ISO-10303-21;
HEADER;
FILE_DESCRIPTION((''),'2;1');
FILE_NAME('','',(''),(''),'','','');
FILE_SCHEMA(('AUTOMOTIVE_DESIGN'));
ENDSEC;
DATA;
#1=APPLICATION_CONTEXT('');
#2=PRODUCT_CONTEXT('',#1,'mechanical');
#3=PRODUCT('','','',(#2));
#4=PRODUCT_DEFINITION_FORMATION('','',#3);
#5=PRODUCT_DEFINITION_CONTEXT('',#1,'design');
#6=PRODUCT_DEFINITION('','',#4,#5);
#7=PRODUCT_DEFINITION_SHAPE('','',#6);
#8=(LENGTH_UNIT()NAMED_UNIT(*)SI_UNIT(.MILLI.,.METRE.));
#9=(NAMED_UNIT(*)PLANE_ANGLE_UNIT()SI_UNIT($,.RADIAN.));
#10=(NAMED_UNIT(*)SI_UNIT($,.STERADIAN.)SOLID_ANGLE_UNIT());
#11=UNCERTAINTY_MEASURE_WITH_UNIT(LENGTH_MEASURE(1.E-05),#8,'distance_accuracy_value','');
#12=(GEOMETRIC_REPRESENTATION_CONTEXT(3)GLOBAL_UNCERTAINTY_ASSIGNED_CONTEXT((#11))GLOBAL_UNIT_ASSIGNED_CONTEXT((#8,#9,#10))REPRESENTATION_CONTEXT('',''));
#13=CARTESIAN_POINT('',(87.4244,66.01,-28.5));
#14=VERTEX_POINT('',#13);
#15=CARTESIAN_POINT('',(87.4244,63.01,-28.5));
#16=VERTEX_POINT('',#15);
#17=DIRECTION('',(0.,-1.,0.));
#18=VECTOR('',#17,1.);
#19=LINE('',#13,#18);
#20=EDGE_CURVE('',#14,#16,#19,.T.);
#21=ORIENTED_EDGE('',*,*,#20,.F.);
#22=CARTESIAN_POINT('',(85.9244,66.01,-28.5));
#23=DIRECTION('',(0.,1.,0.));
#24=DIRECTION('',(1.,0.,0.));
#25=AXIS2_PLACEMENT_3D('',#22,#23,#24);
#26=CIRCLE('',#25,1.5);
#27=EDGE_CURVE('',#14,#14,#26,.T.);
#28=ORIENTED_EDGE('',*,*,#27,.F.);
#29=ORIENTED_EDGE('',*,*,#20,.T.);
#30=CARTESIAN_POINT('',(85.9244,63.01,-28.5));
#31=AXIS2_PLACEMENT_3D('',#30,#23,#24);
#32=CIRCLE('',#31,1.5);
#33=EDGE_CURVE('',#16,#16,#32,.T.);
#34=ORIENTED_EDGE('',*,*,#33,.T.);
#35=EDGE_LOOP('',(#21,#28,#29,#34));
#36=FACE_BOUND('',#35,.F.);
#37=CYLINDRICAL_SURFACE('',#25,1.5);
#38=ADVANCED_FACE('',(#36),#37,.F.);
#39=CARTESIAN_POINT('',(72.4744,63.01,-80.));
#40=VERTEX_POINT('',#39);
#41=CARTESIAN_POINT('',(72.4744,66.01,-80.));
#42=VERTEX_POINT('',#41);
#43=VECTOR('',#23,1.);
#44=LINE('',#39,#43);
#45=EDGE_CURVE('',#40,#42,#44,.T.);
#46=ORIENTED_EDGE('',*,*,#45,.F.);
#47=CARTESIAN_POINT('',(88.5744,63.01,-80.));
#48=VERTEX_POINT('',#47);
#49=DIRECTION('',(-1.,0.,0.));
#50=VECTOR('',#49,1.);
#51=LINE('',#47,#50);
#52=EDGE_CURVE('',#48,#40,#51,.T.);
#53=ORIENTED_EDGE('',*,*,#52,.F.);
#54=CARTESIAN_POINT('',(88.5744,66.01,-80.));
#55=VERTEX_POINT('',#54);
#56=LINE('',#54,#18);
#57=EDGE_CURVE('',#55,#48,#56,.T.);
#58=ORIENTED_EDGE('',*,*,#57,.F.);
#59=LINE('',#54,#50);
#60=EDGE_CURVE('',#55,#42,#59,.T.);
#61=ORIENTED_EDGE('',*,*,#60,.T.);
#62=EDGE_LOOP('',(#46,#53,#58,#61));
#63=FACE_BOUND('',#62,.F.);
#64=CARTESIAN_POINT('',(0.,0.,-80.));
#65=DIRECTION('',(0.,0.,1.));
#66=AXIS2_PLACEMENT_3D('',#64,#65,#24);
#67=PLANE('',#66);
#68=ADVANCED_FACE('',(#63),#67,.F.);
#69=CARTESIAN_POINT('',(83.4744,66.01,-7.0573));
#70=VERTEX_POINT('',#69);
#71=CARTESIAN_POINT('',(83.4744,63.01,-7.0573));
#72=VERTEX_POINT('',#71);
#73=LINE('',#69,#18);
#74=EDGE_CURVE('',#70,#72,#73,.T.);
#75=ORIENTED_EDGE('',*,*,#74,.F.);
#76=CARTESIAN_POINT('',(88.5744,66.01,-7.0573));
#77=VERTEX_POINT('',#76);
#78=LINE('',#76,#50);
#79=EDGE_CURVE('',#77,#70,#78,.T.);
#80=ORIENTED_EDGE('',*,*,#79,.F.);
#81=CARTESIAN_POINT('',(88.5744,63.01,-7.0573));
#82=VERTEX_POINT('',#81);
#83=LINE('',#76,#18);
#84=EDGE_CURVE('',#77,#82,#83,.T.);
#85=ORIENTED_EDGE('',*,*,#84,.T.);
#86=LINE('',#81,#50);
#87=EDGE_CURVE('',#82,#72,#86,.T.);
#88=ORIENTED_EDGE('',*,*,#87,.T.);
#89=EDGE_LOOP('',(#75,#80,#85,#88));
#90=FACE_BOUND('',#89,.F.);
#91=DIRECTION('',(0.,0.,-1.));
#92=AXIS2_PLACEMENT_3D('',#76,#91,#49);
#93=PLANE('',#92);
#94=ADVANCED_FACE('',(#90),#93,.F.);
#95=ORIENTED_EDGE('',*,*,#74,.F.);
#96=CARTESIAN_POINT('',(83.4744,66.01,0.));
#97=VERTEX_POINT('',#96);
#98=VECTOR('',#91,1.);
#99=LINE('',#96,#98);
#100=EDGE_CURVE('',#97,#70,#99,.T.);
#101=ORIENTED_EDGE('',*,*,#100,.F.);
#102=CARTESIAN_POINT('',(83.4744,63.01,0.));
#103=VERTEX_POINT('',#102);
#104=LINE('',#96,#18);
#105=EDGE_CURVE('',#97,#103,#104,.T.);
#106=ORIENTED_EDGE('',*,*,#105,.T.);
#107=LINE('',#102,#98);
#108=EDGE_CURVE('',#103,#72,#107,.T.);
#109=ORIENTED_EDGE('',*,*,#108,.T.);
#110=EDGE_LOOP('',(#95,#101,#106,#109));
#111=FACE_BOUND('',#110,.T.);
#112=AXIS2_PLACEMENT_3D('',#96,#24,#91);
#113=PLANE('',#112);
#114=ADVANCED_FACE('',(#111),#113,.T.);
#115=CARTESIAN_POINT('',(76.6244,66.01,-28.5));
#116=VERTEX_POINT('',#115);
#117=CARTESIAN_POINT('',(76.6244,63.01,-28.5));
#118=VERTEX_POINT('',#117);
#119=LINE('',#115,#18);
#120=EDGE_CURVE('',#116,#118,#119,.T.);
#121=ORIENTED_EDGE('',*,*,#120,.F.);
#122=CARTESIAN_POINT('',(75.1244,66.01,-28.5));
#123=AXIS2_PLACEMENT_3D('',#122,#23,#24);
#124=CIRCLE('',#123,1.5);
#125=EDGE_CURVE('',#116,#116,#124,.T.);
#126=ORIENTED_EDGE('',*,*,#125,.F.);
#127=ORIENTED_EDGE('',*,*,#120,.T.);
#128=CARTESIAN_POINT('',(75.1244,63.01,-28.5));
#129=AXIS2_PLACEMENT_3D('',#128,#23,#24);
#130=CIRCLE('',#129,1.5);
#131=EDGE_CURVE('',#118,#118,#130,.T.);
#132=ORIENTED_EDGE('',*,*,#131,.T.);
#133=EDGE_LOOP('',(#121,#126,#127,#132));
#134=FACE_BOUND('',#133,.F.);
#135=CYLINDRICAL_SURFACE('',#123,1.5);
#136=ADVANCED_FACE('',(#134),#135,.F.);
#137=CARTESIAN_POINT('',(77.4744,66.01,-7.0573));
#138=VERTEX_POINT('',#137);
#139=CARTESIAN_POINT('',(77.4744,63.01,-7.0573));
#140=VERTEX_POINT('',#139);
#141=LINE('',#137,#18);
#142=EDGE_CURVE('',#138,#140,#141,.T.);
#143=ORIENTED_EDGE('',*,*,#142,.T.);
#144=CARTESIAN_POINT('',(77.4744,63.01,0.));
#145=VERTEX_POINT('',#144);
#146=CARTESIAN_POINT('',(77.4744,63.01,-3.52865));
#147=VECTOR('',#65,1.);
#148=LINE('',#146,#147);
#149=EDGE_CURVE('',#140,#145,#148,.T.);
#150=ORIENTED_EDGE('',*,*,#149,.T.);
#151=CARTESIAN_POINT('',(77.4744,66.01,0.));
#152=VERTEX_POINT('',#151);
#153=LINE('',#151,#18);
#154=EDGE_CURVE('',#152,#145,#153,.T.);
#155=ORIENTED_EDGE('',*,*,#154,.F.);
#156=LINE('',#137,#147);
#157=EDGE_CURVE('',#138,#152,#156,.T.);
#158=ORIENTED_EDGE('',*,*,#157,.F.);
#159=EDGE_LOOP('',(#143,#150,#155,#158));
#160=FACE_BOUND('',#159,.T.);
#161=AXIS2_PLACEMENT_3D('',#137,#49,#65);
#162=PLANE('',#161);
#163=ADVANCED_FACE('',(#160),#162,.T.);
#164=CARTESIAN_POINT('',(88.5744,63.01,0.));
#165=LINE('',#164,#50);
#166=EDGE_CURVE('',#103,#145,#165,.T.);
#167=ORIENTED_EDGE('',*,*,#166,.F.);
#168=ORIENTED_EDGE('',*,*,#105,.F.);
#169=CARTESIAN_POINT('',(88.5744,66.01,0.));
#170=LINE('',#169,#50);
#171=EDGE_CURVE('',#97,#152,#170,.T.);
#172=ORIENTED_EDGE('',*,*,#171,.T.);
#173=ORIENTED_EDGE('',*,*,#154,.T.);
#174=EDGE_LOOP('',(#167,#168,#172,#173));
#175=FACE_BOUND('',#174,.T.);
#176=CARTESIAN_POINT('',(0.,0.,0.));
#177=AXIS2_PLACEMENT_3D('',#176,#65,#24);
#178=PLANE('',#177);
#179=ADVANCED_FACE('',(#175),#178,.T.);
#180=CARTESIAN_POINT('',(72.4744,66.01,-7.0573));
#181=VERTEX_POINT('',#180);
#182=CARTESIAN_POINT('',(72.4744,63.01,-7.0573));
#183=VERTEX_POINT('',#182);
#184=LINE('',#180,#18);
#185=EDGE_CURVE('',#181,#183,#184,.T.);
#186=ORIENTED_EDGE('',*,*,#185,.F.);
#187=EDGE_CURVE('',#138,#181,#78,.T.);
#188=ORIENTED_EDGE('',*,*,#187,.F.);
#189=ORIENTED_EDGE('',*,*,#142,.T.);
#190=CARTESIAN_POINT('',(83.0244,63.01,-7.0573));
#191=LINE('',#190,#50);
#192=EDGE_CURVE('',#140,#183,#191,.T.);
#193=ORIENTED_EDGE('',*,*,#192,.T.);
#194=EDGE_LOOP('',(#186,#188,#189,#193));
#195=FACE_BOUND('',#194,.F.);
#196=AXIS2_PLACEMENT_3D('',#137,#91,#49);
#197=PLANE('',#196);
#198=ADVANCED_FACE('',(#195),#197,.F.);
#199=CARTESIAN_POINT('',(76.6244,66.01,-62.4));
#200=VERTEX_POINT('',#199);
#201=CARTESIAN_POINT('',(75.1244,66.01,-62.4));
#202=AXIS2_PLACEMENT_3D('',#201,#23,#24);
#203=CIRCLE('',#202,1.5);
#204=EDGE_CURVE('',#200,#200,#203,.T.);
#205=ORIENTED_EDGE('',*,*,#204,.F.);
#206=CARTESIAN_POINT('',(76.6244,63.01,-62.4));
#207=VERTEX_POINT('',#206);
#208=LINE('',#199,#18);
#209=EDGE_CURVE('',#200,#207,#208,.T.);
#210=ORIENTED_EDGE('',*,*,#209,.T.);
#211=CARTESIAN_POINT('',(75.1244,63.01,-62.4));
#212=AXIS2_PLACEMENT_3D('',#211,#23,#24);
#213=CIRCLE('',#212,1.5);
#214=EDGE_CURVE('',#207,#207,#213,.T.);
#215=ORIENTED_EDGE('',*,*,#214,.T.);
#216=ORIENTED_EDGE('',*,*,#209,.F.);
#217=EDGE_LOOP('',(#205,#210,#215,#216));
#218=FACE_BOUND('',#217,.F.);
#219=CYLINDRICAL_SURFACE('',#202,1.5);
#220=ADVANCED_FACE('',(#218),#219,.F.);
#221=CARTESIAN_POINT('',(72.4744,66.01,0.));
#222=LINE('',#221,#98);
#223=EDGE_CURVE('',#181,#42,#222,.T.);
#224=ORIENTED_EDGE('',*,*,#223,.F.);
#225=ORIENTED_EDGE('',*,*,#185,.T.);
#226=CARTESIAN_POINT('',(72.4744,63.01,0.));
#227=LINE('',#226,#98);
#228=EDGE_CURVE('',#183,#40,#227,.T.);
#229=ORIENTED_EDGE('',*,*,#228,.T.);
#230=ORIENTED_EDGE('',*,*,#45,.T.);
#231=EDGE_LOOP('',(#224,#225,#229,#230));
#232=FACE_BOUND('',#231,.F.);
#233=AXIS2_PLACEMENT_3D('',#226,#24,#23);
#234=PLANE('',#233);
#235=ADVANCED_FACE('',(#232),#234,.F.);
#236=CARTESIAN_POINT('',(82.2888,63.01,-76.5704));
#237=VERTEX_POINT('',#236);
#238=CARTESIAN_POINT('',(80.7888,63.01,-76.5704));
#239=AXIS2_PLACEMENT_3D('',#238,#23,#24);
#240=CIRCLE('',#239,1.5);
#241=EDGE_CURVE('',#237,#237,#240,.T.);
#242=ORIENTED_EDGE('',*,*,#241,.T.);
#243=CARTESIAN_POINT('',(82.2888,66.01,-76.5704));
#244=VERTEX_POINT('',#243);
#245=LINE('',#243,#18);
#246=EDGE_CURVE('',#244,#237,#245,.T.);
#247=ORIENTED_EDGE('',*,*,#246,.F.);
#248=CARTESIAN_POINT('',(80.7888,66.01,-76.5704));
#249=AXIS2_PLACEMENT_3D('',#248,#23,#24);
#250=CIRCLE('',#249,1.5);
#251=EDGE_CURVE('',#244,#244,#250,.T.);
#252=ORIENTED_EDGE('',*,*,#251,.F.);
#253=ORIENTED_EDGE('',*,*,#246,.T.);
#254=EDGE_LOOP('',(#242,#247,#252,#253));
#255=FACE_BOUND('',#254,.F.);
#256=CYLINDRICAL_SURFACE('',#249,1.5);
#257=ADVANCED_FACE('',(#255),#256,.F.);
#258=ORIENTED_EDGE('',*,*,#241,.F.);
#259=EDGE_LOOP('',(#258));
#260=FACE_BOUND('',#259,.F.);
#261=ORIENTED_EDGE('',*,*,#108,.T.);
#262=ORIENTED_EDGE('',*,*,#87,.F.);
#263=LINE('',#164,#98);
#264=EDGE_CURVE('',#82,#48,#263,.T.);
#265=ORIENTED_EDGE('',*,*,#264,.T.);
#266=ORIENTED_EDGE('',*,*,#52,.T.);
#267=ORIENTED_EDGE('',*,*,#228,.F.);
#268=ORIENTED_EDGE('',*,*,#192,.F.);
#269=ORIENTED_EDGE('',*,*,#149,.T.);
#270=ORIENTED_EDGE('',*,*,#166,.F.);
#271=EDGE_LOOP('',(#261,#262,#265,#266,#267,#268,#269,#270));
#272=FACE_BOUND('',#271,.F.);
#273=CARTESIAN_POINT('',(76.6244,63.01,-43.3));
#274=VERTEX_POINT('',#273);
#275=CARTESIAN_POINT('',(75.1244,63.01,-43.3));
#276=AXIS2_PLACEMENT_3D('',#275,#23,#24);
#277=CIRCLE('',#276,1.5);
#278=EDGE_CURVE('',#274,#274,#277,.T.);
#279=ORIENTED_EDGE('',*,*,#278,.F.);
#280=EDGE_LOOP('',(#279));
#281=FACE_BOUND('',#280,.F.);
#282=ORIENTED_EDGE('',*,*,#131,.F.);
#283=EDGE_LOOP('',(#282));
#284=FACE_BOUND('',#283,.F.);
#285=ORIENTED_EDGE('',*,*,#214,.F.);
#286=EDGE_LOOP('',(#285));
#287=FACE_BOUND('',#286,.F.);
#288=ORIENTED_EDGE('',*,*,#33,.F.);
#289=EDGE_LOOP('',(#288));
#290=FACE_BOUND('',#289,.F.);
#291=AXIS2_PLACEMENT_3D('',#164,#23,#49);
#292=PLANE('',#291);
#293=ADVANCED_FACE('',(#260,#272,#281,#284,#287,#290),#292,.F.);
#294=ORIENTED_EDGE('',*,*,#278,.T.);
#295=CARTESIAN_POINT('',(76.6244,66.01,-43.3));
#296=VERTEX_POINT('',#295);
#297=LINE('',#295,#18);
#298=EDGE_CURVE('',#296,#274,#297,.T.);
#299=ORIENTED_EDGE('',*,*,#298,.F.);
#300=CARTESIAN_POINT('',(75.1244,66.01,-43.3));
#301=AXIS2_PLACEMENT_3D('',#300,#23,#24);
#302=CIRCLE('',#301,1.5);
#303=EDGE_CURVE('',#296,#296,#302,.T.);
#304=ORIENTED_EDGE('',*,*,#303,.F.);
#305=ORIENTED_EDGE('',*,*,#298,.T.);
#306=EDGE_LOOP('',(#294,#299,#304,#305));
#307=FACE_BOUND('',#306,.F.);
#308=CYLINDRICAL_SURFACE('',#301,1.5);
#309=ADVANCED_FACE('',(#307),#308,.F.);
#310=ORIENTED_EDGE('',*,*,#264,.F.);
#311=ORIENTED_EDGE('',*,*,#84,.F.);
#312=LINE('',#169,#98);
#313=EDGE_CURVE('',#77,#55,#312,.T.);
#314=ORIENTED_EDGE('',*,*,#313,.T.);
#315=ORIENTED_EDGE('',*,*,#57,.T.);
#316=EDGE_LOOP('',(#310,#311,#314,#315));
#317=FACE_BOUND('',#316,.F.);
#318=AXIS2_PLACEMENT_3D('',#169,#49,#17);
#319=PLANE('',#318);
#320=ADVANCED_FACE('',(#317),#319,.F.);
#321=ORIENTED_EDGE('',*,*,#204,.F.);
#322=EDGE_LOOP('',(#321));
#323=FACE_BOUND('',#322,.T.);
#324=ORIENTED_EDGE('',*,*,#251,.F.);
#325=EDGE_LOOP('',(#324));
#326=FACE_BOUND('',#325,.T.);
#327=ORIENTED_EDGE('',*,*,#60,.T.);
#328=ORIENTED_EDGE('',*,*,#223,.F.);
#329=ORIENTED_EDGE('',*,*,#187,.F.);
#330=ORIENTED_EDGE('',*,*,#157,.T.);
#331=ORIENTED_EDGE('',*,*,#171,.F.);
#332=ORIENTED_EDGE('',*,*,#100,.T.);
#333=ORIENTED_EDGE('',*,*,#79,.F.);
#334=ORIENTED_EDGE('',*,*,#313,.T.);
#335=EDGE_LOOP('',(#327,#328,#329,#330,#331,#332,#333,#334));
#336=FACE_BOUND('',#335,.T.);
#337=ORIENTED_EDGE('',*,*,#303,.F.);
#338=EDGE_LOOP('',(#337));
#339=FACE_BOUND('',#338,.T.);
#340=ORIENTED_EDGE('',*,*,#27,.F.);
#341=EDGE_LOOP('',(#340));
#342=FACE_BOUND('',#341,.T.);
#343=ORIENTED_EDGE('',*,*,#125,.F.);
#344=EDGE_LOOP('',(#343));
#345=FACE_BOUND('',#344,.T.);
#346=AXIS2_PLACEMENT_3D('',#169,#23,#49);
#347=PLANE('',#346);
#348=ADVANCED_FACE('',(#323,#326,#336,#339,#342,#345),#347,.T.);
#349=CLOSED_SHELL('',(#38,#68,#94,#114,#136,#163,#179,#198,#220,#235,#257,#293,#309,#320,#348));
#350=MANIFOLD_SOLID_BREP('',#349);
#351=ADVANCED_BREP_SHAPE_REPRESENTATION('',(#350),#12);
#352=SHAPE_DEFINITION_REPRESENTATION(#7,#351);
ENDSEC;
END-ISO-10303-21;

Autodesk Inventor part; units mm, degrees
ref_plane "YZ Plane" through (0, 0, 0) normal (1, 0, 0) x (0, 1, 0)
ref_plane "XZ Plane" through (0, 0, 0) normal (0, 1, 0) x (-1, 0, 0)
ref_plane "XY Plane" through (0, 0, 0) normal (0, 0, 1) x (1, 0, 0)
ref_plane "Work Plane1" through (0, 0, 0) normal (0, 0, 1) x (1, 0, 0)
sketch "Sketch1" plane through (0, 0, 0) normal (0, 0, 1) x (1, 0, 0)
  line L0 (88.5744, 66.01) -> (72.4744, 66.01) projected
  line L1 (72.4744, 66.01) -> (88.5744, 66.01)
  line L2 (88.5744, 66.01) -> (88.5744, 63.01)
  line L3 (88.5744, 63.01) -> (72.4744, 63.01)
  line L4 (72.4744, 63.01) -> (72.4744, 66.01)
  point P0 (0, 0)
  dimension "d0" = 3
extrude "Extrusion1" add sketch "Sketch1" against normal blind 80
sketch "Sketch2" plane through (72.4744, 66.01, 0) normal (0, 1, 0) x (1, 0, 0)
  circle A0 centre (2.65, 28.5) radius 1.5 projected
  circle A1 centre (13.45, 28.5) radius 1.5 projected
  circle A2 centre (2.65, 43.3) radius 1.5 projected
  circle A3 centre (2.65, 62.4) radius 1.5 projected
  point P0 (-72.4744, 0)
extrude "Extrusion2" cut sketch "Sketch2" against normal blind 80
ref_plane "Work Plane2" through (0, 0, 0) normal (0, 0, 1) x (1, 0, 0)
sketch "Sketch3" plane through (0, 0, 0) normal (0, 0, 1) x (1, 0, 0)
  point P0 (0, 0)
sketch "Sketch4" plane through (72.4744, 66.01, 0) normal (0, 1, 0) x (1, 0, 0)
  line L0 (0, 0) -> (16.1, 0) projected
  line L1 (5, 0) -> (11, 0)
  line L2 (11, 0) -> (11, 7.0573)
  line L3 (11, 7.0573) -> (5, 7.0573)
  line L4 (5, 7.0573) -> (5, 0)
  line L5 (0, 0) -> (0, 80) projected
  line L6 (0, 0) -> (0, 80) projected
  line L7 (0, 0) -> (16.1, 0)
  line L8 (16.1, 0) -> (16.1, 7.0573)
  line L9 (16.1, 7.0573) -> (0, 7.0573)
  line L10 (0, 7.0573) -> (0, 0)
  point P0 (-72.4744, 0)
  point P1 (11, 7.0573)
  point P2 (11, 0)
  point P3 (5, 7.0573)
  dimension "d5" = 6
  dimension "d6" = 5
extrude "Extrusion3" cut sketch "Sketch4" against normal blind 80 contours L5 L9 L4 L0 | L2 L9 L8 L0
sketch "Sketch5" plane through (72.4744, 66.01, -80) normal (0, 1, 0) x (1, 0, 0)
  circle A0 centre (8.3144, -3.4296) radius 1.5
  point P0 (-72.4744, -80)
  dimension "d9" = 3
extrude "Extrusion4" cut sketch "Sketch5" against normal blind 80
properties part number "thanhdolimit"
